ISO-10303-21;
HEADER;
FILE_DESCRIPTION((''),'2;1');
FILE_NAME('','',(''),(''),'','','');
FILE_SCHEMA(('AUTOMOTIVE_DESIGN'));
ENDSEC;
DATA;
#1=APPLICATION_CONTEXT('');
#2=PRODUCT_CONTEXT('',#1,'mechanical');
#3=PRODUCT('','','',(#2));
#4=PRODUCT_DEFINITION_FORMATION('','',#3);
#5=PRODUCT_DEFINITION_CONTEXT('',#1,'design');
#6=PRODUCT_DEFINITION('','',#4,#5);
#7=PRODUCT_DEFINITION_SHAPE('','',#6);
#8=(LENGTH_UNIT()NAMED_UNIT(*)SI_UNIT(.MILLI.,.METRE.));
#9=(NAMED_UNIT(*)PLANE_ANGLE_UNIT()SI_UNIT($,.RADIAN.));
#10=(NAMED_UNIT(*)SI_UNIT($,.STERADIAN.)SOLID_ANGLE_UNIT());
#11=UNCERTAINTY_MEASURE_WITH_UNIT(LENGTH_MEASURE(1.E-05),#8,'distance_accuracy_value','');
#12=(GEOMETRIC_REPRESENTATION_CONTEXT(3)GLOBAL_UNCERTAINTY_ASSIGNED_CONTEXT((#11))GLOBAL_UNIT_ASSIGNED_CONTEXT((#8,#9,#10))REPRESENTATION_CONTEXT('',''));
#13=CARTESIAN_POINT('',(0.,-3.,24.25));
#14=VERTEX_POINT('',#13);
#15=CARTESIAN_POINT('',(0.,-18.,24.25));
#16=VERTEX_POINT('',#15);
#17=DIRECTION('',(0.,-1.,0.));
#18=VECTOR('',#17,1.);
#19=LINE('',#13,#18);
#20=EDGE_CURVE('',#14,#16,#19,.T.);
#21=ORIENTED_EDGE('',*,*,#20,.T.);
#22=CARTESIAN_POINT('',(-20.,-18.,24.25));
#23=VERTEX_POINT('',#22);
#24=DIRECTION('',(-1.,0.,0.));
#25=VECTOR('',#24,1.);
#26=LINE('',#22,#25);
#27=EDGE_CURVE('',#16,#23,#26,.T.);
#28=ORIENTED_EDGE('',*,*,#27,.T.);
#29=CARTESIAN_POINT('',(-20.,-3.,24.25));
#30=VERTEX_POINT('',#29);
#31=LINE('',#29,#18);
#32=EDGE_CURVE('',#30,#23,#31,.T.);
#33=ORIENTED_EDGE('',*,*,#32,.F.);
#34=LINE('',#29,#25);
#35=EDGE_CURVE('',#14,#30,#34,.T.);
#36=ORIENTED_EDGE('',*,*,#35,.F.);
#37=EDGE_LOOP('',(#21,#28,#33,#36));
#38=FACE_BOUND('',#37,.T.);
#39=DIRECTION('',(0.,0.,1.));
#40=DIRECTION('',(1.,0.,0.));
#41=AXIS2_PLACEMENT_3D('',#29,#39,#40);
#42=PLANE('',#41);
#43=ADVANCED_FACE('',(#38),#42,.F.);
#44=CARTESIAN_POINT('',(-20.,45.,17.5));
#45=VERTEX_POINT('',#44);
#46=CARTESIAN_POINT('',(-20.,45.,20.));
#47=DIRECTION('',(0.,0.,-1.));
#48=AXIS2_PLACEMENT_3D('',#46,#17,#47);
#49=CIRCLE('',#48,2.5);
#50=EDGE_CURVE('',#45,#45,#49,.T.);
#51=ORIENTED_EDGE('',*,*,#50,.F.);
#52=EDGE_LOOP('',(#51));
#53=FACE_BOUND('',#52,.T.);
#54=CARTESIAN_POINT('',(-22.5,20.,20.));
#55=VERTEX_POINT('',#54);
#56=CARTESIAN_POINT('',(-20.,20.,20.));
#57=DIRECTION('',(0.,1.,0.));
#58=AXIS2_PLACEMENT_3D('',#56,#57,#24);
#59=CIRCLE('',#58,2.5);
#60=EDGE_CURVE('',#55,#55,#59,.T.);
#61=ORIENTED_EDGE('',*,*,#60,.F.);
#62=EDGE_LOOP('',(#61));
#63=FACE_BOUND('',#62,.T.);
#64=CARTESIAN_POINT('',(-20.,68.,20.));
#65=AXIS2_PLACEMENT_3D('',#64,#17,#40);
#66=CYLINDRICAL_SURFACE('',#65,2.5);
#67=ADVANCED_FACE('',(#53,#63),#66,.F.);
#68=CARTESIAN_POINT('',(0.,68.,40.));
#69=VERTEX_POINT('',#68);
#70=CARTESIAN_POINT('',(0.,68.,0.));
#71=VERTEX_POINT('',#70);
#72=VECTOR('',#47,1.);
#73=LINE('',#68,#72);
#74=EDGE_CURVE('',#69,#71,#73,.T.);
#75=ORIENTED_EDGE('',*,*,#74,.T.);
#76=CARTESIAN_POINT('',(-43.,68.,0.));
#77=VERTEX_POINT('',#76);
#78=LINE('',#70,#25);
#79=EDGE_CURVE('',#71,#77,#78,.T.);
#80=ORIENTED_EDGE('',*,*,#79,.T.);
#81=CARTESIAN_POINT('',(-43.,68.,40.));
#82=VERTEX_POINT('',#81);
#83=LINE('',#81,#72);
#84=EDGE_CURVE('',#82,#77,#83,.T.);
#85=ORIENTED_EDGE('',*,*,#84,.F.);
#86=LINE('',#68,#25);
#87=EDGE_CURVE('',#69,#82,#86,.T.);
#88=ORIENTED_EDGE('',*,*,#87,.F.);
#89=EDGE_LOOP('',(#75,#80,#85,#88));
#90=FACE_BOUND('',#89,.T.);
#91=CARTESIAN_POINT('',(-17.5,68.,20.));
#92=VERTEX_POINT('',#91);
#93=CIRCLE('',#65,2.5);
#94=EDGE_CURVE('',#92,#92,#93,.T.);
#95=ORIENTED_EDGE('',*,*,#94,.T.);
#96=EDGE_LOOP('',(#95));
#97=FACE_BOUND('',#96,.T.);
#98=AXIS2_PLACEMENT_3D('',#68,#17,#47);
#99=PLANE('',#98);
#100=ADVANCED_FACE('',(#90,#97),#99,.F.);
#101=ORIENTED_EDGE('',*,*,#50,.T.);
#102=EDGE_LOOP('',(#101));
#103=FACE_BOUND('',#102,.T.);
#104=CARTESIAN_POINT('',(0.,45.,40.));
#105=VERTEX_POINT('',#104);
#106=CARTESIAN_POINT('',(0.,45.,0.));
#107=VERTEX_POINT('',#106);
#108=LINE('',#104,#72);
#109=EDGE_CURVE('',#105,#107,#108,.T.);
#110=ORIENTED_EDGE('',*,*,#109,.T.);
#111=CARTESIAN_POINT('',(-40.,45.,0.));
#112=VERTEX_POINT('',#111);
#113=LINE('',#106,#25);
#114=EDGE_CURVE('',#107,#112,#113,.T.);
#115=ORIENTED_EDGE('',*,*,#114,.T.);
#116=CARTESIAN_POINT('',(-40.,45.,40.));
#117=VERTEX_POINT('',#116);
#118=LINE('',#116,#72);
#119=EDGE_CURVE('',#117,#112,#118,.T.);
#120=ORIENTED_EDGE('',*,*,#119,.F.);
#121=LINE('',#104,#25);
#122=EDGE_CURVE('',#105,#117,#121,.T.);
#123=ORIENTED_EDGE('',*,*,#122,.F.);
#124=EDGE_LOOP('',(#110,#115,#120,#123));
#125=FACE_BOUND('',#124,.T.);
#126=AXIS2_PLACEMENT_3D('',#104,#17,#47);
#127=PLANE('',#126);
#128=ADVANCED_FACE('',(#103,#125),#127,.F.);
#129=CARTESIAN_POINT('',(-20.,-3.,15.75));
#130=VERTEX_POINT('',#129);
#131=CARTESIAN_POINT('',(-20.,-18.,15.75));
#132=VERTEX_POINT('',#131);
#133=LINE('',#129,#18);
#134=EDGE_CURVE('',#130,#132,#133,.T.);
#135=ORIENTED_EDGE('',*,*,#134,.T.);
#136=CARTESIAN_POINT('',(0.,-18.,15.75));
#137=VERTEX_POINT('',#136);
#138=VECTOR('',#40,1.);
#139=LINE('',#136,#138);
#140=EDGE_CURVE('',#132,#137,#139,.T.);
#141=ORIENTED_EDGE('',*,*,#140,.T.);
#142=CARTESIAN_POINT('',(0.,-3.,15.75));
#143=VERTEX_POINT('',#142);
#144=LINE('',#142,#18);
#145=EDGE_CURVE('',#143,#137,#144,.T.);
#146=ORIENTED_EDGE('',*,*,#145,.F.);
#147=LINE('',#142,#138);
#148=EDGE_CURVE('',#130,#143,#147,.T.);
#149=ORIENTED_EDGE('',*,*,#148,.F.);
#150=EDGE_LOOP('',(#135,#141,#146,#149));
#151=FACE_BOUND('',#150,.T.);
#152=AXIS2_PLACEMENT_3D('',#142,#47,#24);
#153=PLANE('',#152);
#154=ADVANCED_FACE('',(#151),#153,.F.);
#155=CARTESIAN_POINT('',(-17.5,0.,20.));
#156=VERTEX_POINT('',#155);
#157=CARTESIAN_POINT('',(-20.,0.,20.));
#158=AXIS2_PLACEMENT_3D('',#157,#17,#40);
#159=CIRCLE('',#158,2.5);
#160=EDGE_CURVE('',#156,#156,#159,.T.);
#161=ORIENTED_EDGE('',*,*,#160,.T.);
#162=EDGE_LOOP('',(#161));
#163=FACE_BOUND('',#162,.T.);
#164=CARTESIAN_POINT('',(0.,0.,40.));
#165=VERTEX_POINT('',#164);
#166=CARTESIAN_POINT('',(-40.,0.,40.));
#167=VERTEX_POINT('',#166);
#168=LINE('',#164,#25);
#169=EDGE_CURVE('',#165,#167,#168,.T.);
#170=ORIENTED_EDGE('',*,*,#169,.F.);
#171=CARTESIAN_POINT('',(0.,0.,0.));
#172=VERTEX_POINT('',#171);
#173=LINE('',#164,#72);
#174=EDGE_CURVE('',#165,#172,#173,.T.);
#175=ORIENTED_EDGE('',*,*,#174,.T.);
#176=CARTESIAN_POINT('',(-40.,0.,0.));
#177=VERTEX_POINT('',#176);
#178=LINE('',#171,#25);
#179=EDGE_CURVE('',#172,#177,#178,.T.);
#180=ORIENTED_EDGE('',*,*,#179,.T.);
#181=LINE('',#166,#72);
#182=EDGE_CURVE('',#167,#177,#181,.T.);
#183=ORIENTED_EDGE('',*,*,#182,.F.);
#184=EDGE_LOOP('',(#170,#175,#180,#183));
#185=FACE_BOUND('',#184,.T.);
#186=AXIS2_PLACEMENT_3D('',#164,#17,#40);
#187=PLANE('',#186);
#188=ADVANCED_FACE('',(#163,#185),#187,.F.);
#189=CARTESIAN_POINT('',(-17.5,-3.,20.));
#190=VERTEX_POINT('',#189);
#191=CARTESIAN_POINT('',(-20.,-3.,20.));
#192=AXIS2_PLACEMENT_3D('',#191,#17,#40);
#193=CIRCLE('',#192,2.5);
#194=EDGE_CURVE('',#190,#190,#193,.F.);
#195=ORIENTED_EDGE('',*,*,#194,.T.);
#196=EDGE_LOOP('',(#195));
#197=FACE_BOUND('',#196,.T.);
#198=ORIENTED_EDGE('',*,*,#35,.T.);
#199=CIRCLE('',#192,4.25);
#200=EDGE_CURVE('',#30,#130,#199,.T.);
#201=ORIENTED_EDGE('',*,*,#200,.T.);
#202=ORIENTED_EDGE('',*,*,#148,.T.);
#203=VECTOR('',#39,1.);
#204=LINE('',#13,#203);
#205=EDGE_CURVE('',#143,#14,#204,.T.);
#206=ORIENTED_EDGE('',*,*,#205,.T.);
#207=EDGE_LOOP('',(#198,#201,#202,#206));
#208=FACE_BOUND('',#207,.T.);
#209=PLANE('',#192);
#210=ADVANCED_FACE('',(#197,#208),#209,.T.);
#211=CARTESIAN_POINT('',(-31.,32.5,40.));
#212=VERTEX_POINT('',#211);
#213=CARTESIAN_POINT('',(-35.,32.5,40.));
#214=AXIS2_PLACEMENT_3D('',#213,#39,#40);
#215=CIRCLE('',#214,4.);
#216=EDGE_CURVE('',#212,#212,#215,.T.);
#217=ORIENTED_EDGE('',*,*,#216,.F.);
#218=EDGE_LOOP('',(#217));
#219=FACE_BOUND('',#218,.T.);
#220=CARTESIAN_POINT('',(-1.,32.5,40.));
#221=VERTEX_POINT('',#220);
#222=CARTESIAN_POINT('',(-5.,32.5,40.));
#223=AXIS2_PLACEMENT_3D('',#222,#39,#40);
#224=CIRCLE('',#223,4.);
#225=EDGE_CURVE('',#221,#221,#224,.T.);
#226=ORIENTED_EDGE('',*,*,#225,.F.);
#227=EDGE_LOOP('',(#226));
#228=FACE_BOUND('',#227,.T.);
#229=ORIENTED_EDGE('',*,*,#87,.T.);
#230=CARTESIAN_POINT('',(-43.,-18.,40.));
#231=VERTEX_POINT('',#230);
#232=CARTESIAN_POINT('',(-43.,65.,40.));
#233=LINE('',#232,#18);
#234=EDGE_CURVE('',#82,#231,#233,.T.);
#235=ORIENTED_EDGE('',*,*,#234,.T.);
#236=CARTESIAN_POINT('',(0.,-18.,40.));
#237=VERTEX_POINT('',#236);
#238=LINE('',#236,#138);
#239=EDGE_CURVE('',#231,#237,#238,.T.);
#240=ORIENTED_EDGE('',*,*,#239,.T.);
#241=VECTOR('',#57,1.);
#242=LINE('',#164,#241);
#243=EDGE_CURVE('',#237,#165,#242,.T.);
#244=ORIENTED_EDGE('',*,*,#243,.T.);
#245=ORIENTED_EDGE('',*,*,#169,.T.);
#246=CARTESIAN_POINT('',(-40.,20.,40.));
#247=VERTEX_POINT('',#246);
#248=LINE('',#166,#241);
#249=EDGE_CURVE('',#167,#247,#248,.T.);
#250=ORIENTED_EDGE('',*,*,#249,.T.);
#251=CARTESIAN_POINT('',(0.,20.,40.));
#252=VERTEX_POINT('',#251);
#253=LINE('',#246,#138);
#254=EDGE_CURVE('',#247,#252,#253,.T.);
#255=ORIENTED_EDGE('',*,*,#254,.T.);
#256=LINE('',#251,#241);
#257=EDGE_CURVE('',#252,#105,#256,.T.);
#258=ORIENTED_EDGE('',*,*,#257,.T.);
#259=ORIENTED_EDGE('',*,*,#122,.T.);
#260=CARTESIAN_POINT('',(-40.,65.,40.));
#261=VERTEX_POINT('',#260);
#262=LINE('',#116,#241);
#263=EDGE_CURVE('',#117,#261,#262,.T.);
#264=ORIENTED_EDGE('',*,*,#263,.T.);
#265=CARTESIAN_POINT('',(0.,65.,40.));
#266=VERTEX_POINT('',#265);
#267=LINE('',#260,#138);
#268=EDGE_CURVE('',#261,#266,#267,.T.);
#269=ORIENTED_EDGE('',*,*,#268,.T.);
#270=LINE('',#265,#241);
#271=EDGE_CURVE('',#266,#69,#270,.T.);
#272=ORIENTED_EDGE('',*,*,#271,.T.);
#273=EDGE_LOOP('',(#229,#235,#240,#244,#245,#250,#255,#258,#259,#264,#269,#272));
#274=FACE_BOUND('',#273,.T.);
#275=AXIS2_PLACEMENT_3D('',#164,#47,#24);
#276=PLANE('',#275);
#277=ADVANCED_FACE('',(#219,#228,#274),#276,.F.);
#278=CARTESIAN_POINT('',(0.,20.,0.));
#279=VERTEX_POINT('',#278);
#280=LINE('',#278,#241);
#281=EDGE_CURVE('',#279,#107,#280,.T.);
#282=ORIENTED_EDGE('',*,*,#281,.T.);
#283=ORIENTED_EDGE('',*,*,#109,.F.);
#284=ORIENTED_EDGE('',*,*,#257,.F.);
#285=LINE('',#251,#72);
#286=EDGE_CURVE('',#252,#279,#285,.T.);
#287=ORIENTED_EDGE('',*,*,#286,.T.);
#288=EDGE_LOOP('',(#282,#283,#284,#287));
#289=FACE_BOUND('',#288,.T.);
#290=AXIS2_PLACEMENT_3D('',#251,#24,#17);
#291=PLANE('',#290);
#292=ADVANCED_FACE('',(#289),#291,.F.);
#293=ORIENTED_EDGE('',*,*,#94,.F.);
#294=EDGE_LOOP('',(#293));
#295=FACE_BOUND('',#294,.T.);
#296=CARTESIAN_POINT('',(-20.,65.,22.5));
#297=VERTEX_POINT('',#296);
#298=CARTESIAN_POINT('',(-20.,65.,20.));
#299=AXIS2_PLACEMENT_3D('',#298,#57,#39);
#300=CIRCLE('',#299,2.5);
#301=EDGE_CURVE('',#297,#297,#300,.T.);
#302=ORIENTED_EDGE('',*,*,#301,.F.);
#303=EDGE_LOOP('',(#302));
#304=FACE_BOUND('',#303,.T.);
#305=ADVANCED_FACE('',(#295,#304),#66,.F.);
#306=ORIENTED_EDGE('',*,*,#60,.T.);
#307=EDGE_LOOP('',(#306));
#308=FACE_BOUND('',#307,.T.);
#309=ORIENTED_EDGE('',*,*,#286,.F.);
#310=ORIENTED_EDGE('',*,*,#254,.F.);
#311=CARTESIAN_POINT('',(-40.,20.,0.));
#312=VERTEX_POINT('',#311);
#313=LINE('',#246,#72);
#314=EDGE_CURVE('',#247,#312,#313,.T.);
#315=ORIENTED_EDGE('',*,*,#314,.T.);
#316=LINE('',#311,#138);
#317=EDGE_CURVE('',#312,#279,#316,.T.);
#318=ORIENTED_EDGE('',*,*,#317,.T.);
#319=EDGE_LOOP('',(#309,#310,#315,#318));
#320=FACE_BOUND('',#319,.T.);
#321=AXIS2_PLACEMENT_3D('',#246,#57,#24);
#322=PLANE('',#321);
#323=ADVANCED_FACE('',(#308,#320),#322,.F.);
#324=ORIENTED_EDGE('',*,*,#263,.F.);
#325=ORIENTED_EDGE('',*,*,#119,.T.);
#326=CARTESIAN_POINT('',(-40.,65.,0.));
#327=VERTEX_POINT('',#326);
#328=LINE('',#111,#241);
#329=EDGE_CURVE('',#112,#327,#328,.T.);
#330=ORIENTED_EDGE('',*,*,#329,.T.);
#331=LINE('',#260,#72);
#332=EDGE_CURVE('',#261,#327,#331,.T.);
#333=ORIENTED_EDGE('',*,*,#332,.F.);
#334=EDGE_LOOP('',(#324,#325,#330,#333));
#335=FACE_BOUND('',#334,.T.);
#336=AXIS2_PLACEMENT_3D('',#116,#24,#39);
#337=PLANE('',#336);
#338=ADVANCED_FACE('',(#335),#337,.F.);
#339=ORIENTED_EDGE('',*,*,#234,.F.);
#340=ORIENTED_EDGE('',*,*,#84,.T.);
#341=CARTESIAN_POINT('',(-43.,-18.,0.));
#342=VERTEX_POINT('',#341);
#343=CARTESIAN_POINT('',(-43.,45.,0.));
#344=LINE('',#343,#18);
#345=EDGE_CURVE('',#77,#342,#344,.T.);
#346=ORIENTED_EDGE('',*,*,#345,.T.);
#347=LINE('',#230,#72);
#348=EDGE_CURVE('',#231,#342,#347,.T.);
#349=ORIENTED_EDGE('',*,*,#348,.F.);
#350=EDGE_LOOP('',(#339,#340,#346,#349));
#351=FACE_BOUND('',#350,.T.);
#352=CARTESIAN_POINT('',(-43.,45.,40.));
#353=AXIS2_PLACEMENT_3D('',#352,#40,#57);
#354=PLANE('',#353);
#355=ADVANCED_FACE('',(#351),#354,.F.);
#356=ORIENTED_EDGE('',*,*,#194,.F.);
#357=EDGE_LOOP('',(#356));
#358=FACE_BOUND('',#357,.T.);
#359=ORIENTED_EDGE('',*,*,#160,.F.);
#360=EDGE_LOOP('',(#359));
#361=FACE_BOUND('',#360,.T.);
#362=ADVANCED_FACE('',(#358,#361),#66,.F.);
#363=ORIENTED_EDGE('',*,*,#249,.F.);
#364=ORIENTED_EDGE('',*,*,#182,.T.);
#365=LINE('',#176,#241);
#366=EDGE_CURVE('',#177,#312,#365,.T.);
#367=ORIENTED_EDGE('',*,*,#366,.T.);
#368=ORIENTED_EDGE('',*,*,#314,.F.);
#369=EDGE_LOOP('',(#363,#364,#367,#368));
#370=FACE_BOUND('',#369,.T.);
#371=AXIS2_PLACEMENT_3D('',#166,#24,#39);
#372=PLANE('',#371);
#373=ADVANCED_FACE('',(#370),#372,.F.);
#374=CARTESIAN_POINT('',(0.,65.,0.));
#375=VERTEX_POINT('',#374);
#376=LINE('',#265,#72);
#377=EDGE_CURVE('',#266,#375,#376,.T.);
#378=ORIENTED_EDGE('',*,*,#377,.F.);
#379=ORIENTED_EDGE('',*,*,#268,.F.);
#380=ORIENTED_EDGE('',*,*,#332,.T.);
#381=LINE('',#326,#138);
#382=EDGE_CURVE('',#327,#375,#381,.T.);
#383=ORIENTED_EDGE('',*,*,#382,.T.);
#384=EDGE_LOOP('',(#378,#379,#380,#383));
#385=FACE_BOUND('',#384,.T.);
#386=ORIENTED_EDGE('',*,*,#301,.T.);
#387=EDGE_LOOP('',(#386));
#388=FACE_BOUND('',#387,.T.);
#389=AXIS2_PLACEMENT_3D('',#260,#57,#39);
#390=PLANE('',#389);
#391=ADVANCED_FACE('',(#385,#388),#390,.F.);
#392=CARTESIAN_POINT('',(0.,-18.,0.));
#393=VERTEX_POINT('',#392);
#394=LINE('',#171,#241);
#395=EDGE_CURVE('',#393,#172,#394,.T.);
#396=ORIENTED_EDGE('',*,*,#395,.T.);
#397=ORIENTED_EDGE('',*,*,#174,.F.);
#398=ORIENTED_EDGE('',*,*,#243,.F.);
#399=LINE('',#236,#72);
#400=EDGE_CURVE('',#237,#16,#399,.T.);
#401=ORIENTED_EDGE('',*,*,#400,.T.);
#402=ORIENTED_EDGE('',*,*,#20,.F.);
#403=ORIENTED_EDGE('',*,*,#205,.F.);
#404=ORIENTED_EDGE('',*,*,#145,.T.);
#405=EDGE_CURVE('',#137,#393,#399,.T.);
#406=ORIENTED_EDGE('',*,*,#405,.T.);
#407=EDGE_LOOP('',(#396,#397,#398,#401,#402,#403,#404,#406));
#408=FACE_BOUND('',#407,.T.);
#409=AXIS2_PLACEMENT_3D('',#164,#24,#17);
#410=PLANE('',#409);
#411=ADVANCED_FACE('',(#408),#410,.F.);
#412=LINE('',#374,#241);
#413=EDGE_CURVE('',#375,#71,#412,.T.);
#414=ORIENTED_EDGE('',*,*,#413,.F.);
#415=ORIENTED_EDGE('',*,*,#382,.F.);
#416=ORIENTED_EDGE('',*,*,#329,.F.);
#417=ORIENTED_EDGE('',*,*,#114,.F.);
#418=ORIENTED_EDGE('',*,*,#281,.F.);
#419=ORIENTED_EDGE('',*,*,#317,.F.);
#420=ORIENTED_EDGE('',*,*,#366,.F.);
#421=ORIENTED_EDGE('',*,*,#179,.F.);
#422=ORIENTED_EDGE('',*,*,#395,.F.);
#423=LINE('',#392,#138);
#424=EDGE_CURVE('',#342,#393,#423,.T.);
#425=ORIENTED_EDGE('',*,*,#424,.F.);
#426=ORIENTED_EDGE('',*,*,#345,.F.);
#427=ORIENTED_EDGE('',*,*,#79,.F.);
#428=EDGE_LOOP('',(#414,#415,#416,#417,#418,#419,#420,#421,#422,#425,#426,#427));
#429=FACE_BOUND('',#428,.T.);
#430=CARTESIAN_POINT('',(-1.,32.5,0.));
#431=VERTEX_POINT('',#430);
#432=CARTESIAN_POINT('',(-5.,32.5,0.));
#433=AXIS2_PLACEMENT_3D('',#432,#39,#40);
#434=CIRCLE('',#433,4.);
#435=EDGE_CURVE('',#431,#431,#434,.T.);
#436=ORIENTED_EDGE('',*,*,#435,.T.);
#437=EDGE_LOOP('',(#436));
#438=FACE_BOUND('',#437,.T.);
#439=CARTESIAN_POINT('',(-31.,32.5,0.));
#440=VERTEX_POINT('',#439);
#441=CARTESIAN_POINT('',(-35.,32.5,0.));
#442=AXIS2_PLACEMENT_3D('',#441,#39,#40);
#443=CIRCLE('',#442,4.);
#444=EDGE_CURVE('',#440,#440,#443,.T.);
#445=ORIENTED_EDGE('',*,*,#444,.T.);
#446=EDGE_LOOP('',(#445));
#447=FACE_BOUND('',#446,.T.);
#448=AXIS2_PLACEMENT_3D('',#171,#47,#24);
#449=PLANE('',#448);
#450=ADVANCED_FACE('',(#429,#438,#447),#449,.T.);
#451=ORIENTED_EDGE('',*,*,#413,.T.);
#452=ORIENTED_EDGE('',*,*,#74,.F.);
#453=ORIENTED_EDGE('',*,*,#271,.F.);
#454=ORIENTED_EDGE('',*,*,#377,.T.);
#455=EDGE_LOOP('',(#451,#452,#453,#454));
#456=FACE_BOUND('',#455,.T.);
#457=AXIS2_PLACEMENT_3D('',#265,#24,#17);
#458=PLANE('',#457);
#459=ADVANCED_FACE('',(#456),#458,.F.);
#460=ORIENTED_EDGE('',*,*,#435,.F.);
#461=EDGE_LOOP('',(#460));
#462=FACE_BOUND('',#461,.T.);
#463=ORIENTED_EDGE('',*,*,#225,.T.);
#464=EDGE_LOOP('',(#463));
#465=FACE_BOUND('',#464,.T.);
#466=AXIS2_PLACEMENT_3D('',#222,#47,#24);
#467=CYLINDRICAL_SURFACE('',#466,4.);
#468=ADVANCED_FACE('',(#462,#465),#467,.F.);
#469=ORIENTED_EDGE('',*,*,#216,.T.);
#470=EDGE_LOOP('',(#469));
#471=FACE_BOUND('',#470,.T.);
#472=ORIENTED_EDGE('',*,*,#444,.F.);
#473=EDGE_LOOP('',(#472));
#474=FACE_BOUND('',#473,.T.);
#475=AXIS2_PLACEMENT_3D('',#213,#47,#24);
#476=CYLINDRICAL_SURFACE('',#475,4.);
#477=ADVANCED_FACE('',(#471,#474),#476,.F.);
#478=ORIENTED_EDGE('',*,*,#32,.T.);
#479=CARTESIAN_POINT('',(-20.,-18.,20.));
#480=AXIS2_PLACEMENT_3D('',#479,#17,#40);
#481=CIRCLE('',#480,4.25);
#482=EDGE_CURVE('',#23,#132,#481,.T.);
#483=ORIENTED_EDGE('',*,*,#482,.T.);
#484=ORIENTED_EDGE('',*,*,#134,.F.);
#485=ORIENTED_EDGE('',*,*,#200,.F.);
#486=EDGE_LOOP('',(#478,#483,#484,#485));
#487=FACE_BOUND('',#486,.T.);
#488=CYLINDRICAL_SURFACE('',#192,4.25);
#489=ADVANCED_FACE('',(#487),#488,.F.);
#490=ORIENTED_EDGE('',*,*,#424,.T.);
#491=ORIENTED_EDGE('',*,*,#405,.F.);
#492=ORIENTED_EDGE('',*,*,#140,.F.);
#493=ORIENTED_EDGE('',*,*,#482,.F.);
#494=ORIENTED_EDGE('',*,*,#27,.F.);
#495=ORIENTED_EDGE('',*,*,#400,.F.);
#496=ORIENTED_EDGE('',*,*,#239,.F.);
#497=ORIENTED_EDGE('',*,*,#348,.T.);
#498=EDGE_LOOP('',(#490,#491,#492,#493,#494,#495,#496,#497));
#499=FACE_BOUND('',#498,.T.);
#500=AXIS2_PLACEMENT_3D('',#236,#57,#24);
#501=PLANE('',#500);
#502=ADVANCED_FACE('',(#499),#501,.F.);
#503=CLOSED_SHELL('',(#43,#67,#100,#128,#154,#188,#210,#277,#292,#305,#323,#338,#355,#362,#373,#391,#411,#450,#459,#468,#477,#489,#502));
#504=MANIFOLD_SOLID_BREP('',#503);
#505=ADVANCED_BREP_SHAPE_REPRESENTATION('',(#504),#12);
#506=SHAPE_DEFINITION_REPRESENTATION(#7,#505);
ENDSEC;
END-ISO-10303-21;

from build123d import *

# Parameters (mm, degrees)
SKETCH1_R               = 4
BOSS_EXTRUDE1_DEPTH     = 40
CUT_EXTRUDE1_DEPTH      = 76.848533275
CUT_EXTRUDE1_DEPTH_BACK = 76.848533275
SKETCH3_R               = 2.5
CUT_EXTRUDE2_DEPTH      = 15


with BuildPart() as part:
    # Sketch1 → Boss-Extrude1 (new body)
    with BuildSketch(Plane.XY):
        Polygon((0, 0), (-40, 0), (-40, 20), (0, 20), (0, 45), (-40, 45), (-40, 65), (0, 65), (0, 68), (-43, 68), (-43, 65), (-43, 45), (-43, -18), (0, -18), align=None)
        with Locations((-35, 32.5)):
            Circle(SKETCH1_R, mode=Mode.SUBTRACT)
        with Locations((-5, 32.5)):
            Circle(SKETCH1_R, mode=Mode.SUBTRACT)
    extrude(amount=BOSS_EXTRUDE1_DEPTH)

    # Sketch3 → Cut-Extrude1 (cut, two sides: drawn at the far end of the back side and taken through both)
    with BuildSketch(Plane(origin=(0, 20, 0), x_dir=(-1, 0, 0), z_dir=(0, -1, 0)).offset(-CUT_EXTRUDE1_DEPTH_BACK)):
        with Locations(Location((20, -20, 0), (0, 0, 180))):
            Circle(SKETCH3_R)
    extrude(amount=CUT_EXTRUDE1_DEPTH + CUT_EXTRUDE1_DEPTH_BACK, mode=Mode.SUBTRACT)

    # Sketch4 → Cut-Extrude2 (cut)
    with BuildSketch(Plane(origin=(0, -18, 0), x_dir=(-1, 0, 0), z_dir=(0, -1, 0))):
        with BuildLine():
            Line((20, -24.25), (0, -24.25))
            Line((0, -24.25), (0, -15.75))
            Line((0, -15.75), (20, -15.75))
            ThreePointArc((20, -15.75), (24.25, -20), (20, -24.25))
        make_face()
    extrude(amount=-CUT_EXTRUDE2_DEPTH, mode=Mode.SUBTRACT)


solid = part.part
